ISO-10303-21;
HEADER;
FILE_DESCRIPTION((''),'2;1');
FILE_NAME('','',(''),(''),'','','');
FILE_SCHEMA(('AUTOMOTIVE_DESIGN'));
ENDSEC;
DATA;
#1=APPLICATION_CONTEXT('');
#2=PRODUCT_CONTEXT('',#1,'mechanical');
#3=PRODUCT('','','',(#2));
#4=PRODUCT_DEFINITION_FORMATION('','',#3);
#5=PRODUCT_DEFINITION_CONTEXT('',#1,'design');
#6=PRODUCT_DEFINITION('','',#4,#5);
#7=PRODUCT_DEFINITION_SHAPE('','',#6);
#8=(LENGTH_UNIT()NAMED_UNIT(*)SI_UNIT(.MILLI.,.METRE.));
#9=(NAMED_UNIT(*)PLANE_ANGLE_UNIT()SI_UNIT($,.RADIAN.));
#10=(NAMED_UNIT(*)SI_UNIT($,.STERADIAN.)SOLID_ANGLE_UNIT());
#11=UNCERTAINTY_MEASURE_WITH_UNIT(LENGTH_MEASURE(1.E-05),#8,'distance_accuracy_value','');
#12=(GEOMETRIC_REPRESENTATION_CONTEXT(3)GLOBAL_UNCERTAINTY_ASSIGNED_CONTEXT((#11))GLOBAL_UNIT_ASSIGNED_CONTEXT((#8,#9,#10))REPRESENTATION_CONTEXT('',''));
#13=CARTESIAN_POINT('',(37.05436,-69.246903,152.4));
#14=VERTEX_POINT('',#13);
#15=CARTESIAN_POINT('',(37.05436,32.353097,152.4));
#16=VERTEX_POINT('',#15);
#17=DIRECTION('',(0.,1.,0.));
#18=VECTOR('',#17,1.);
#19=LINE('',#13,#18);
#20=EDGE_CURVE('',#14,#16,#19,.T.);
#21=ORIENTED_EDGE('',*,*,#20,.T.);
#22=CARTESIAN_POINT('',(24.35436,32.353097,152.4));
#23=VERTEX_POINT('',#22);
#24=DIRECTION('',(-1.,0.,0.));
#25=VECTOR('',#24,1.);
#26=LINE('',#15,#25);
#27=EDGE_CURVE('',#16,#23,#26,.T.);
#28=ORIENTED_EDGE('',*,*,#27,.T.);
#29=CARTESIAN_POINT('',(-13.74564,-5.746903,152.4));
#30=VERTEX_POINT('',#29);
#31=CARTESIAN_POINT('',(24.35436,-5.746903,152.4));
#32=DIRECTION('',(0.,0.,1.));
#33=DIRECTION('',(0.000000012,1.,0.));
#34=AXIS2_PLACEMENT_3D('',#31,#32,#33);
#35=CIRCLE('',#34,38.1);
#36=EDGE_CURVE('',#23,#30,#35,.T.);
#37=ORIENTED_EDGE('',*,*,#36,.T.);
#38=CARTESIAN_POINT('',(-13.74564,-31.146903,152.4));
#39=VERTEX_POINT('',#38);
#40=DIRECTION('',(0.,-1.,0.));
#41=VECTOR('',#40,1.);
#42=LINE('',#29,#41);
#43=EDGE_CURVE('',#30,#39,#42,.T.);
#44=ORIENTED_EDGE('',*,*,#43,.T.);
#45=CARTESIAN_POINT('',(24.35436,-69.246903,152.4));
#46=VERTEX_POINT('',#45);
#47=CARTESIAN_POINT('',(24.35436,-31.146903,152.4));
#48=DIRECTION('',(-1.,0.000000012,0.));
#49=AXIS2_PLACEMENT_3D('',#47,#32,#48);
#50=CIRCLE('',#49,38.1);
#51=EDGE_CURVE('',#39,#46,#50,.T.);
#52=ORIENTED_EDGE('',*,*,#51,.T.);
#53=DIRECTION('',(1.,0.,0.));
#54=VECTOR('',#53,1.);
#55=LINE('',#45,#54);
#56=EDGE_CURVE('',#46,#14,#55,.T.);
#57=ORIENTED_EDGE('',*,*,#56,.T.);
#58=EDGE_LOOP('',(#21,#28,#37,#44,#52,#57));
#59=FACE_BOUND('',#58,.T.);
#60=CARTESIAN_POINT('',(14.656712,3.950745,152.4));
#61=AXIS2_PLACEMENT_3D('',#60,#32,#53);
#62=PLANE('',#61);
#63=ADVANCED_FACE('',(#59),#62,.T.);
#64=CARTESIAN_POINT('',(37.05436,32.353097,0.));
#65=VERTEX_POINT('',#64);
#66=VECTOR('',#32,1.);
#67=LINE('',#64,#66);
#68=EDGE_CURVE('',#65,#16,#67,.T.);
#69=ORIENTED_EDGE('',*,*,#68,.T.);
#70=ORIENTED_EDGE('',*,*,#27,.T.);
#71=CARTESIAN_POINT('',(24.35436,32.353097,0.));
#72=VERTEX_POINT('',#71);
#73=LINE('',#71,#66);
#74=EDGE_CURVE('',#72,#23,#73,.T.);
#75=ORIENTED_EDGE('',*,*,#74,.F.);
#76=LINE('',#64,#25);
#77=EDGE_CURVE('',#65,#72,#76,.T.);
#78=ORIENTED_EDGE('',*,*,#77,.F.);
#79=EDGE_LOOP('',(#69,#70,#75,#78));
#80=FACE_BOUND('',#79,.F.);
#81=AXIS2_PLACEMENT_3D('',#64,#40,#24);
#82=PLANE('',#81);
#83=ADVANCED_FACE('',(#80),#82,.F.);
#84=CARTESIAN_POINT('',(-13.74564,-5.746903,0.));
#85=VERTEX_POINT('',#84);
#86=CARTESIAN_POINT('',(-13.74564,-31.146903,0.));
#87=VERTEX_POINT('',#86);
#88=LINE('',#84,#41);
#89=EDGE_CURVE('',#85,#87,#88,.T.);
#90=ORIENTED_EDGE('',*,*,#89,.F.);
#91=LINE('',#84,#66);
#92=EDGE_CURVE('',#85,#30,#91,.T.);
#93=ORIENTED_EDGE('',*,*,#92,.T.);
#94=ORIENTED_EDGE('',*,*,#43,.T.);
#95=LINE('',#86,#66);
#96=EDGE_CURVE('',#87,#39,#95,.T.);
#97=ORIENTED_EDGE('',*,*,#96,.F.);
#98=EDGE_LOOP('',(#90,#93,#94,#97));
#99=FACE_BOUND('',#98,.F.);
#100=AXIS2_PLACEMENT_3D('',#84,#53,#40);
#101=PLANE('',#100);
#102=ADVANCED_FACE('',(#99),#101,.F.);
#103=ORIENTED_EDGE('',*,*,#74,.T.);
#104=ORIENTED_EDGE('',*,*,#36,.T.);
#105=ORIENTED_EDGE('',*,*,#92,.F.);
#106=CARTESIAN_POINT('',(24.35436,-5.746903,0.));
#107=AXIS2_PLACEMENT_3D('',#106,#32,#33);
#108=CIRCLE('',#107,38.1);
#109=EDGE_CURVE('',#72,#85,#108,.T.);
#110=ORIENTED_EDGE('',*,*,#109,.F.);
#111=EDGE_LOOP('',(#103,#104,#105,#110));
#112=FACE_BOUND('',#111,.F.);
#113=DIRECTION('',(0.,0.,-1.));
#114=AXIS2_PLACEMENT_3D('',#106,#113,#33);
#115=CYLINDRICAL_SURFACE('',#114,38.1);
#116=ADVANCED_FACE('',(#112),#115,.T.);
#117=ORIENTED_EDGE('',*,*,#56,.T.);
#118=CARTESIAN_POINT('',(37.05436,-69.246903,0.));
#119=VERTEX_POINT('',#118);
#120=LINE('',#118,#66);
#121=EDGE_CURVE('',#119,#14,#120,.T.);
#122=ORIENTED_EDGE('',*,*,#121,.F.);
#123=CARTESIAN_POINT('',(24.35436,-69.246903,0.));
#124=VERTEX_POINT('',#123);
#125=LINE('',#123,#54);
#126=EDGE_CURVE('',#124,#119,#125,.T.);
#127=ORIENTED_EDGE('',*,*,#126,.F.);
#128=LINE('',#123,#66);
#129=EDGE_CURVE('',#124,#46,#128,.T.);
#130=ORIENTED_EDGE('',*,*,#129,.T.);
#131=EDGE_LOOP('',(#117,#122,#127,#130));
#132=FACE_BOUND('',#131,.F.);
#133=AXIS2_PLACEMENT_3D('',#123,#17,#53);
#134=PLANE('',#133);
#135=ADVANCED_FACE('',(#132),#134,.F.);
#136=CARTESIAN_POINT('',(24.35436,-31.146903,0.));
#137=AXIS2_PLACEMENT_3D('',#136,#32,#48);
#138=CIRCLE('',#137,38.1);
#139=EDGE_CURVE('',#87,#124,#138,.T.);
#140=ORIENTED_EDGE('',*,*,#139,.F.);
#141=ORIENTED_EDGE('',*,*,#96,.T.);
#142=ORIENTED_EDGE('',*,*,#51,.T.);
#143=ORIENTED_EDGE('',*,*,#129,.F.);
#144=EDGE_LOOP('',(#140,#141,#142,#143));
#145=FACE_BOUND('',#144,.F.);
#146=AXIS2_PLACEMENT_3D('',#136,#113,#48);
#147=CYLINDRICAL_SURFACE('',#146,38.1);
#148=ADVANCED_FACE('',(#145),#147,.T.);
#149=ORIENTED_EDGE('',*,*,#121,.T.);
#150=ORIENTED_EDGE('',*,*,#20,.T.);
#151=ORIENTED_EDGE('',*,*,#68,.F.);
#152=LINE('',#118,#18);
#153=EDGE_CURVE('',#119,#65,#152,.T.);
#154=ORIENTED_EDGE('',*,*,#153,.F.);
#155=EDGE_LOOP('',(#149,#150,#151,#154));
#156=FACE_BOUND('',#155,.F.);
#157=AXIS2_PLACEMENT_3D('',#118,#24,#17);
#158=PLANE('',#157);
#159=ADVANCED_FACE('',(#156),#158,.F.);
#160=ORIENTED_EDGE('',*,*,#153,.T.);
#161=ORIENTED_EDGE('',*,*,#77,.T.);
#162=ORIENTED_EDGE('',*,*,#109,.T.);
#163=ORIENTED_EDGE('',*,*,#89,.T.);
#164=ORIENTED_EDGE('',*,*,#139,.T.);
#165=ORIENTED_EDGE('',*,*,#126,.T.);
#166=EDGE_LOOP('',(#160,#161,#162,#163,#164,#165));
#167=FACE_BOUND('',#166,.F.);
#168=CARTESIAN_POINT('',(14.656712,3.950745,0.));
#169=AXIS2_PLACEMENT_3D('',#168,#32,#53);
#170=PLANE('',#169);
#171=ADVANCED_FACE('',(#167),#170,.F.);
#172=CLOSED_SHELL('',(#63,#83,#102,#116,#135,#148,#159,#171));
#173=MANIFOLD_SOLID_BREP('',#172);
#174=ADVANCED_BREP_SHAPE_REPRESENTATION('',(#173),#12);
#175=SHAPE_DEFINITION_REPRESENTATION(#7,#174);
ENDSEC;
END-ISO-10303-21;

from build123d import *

# Parameters (mm, degrees)
F1_DEPTH = 152.4


with BuildPart() as f1:
    # F0 (on Top) → F1 (new body)
    with BuildSketch(Plane.XY):
        with BuildLine():
            Line((37.05436, 32.353097), (24.35436, 32.353097))
            ThreePointArc((24.35436, 32.353097), (-2.586409, 21.193865), (-13.74564, -5.746903))
            Line((-13.74564, -5.746903), (-13.74564, -18.446903))
            Line((-13.74564, -18.446903), (37.05436, -18.446903))
            Line((37.05436, -18.446903), (37.05436, 32.353097))
        make_face()
        with BuildLine():
            Line((37.05436, -69.246903), (37.05436, -18.446903))
            Line((37.05436, -18.446903), (-13.74564, -18.446903))
            Line((-13.74564, -18.446903), (-13.74564, -31.146903))
            ThreePointArc((-13.74564, -31.146903), (-2.586409, -58.087671), (24.35436, -69.246903))
            Line((24.35436, -69.246903), (37.05436, -69.246903))
        make_face()
    extrude(amount=F1_DEPTH)


solid = f1.part
